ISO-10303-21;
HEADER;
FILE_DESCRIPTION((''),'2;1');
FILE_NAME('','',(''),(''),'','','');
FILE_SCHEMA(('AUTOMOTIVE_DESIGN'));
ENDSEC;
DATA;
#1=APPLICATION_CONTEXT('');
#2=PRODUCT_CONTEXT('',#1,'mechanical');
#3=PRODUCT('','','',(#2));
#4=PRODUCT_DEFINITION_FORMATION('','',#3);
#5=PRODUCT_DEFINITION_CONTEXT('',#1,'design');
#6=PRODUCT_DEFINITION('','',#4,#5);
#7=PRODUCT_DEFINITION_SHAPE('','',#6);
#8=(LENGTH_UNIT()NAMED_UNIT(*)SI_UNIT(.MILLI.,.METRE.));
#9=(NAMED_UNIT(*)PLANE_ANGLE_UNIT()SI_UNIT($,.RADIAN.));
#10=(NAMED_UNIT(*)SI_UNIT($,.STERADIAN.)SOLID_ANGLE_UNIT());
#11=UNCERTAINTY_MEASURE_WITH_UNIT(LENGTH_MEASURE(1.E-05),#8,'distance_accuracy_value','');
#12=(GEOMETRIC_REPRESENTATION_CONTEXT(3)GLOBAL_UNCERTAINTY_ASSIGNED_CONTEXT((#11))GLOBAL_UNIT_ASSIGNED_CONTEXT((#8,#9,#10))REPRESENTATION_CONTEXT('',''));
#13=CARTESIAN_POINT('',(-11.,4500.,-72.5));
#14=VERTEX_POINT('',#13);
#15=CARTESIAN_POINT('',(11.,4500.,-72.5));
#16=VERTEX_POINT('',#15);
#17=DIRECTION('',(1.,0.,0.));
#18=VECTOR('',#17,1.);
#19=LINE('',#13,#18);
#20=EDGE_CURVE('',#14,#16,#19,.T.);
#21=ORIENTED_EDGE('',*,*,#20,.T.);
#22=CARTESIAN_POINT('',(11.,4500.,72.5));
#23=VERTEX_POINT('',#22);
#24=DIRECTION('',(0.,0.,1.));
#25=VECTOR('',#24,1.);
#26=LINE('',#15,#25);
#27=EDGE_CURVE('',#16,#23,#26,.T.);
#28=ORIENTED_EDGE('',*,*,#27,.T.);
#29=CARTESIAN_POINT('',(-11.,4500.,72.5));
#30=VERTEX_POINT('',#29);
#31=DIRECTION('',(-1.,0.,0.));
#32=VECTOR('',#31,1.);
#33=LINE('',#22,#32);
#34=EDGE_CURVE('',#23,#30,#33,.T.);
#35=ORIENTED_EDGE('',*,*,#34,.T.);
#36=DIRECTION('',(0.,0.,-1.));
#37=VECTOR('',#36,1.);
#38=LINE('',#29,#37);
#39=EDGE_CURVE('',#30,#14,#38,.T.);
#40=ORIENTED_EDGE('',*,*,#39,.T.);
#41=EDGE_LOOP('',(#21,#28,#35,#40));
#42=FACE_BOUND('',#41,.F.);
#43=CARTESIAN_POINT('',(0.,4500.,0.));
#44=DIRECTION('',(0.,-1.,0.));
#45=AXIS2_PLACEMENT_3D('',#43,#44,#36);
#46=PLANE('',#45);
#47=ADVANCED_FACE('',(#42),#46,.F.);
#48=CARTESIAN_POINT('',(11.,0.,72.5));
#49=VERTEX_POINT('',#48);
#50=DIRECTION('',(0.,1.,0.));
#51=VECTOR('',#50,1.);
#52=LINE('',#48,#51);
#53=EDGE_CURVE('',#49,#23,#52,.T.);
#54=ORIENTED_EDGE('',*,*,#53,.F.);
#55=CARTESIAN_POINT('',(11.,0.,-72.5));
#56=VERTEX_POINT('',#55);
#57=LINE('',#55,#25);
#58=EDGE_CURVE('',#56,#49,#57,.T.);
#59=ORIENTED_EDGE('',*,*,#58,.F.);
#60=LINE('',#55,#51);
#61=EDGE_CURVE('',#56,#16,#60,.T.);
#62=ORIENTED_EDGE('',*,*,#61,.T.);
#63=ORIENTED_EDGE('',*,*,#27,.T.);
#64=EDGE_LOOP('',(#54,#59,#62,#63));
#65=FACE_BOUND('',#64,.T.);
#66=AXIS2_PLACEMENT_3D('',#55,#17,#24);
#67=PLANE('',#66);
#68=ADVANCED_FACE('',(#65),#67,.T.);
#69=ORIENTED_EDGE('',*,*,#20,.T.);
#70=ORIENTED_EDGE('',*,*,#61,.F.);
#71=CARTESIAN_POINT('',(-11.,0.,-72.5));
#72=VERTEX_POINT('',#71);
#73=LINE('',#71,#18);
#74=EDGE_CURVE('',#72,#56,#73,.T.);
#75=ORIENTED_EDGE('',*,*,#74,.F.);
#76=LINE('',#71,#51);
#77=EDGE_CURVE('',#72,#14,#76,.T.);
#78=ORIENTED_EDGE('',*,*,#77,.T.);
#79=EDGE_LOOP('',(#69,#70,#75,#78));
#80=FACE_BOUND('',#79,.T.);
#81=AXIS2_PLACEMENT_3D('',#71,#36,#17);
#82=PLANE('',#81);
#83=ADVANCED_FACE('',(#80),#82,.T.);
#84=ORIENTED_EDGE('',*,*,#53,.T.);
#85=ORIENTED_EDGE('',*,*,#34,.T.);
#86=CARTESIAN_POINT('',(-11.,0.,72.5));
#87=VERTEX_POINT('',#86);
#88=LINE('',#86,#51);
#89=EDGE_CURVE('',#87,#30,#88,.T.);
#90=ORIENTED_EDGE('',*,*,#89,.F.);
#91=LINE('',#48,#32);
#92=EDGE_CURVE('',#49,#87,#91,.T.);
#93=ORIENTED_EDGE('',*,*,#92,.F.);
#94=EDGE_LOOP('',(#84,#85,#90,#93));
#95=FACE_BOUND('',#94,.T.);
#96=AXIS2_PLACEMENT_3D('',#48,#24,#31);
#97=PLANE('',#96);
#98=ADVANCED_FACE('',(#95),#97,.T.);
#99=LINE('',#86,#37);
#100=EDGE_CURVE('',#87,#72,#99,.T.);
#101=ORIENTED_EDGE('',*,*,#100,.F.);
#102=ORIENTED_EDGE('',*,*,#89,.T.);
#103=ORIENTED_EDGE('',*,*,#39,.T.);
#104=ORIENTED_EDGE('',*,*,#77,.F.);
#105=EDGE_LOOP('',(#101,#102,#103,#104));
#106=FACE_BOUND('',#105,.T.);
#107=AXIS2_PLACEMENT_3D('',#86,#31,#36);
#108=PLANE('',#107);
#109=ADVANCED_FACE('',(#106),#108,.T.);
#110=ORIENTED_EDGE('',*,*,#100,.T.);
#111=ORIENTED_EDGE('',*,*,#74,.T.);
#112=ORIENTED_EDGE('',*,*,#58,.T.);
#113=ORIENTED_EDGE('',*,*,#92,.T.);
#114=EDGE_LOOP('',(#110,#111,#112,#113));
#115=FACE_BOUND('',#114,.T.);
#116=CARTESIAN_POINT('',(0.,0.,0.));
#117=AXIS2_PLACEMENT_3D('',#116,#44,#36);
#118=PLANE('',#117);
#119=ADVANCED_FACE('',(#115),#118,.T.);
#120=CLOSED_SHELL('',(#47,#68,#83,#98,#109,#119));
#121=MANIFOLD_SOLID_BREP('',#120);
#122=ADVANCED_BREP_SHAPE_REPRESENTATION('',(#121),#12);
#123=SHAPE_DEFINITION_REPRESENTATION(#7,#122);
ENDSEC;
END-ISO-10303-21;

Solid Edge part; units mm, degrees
sketch "Sketch1" plane through (0, 0, 0) normal (0, -1, 0) x (1, 0, 0)
  line L0 (-11, -72.5) -> (11, -72.5)
  line L1 (11, -72.5) -> (11, 72.5)
  line L2 (11, 72.5) -> (-11, 72.5)
  line L3 (-11, 72.5) -> (-11, -72.5)
extrude "Protrusion1" add sketch "Sketch1" against normal blind 4500
properties material "Wood, Pine"
